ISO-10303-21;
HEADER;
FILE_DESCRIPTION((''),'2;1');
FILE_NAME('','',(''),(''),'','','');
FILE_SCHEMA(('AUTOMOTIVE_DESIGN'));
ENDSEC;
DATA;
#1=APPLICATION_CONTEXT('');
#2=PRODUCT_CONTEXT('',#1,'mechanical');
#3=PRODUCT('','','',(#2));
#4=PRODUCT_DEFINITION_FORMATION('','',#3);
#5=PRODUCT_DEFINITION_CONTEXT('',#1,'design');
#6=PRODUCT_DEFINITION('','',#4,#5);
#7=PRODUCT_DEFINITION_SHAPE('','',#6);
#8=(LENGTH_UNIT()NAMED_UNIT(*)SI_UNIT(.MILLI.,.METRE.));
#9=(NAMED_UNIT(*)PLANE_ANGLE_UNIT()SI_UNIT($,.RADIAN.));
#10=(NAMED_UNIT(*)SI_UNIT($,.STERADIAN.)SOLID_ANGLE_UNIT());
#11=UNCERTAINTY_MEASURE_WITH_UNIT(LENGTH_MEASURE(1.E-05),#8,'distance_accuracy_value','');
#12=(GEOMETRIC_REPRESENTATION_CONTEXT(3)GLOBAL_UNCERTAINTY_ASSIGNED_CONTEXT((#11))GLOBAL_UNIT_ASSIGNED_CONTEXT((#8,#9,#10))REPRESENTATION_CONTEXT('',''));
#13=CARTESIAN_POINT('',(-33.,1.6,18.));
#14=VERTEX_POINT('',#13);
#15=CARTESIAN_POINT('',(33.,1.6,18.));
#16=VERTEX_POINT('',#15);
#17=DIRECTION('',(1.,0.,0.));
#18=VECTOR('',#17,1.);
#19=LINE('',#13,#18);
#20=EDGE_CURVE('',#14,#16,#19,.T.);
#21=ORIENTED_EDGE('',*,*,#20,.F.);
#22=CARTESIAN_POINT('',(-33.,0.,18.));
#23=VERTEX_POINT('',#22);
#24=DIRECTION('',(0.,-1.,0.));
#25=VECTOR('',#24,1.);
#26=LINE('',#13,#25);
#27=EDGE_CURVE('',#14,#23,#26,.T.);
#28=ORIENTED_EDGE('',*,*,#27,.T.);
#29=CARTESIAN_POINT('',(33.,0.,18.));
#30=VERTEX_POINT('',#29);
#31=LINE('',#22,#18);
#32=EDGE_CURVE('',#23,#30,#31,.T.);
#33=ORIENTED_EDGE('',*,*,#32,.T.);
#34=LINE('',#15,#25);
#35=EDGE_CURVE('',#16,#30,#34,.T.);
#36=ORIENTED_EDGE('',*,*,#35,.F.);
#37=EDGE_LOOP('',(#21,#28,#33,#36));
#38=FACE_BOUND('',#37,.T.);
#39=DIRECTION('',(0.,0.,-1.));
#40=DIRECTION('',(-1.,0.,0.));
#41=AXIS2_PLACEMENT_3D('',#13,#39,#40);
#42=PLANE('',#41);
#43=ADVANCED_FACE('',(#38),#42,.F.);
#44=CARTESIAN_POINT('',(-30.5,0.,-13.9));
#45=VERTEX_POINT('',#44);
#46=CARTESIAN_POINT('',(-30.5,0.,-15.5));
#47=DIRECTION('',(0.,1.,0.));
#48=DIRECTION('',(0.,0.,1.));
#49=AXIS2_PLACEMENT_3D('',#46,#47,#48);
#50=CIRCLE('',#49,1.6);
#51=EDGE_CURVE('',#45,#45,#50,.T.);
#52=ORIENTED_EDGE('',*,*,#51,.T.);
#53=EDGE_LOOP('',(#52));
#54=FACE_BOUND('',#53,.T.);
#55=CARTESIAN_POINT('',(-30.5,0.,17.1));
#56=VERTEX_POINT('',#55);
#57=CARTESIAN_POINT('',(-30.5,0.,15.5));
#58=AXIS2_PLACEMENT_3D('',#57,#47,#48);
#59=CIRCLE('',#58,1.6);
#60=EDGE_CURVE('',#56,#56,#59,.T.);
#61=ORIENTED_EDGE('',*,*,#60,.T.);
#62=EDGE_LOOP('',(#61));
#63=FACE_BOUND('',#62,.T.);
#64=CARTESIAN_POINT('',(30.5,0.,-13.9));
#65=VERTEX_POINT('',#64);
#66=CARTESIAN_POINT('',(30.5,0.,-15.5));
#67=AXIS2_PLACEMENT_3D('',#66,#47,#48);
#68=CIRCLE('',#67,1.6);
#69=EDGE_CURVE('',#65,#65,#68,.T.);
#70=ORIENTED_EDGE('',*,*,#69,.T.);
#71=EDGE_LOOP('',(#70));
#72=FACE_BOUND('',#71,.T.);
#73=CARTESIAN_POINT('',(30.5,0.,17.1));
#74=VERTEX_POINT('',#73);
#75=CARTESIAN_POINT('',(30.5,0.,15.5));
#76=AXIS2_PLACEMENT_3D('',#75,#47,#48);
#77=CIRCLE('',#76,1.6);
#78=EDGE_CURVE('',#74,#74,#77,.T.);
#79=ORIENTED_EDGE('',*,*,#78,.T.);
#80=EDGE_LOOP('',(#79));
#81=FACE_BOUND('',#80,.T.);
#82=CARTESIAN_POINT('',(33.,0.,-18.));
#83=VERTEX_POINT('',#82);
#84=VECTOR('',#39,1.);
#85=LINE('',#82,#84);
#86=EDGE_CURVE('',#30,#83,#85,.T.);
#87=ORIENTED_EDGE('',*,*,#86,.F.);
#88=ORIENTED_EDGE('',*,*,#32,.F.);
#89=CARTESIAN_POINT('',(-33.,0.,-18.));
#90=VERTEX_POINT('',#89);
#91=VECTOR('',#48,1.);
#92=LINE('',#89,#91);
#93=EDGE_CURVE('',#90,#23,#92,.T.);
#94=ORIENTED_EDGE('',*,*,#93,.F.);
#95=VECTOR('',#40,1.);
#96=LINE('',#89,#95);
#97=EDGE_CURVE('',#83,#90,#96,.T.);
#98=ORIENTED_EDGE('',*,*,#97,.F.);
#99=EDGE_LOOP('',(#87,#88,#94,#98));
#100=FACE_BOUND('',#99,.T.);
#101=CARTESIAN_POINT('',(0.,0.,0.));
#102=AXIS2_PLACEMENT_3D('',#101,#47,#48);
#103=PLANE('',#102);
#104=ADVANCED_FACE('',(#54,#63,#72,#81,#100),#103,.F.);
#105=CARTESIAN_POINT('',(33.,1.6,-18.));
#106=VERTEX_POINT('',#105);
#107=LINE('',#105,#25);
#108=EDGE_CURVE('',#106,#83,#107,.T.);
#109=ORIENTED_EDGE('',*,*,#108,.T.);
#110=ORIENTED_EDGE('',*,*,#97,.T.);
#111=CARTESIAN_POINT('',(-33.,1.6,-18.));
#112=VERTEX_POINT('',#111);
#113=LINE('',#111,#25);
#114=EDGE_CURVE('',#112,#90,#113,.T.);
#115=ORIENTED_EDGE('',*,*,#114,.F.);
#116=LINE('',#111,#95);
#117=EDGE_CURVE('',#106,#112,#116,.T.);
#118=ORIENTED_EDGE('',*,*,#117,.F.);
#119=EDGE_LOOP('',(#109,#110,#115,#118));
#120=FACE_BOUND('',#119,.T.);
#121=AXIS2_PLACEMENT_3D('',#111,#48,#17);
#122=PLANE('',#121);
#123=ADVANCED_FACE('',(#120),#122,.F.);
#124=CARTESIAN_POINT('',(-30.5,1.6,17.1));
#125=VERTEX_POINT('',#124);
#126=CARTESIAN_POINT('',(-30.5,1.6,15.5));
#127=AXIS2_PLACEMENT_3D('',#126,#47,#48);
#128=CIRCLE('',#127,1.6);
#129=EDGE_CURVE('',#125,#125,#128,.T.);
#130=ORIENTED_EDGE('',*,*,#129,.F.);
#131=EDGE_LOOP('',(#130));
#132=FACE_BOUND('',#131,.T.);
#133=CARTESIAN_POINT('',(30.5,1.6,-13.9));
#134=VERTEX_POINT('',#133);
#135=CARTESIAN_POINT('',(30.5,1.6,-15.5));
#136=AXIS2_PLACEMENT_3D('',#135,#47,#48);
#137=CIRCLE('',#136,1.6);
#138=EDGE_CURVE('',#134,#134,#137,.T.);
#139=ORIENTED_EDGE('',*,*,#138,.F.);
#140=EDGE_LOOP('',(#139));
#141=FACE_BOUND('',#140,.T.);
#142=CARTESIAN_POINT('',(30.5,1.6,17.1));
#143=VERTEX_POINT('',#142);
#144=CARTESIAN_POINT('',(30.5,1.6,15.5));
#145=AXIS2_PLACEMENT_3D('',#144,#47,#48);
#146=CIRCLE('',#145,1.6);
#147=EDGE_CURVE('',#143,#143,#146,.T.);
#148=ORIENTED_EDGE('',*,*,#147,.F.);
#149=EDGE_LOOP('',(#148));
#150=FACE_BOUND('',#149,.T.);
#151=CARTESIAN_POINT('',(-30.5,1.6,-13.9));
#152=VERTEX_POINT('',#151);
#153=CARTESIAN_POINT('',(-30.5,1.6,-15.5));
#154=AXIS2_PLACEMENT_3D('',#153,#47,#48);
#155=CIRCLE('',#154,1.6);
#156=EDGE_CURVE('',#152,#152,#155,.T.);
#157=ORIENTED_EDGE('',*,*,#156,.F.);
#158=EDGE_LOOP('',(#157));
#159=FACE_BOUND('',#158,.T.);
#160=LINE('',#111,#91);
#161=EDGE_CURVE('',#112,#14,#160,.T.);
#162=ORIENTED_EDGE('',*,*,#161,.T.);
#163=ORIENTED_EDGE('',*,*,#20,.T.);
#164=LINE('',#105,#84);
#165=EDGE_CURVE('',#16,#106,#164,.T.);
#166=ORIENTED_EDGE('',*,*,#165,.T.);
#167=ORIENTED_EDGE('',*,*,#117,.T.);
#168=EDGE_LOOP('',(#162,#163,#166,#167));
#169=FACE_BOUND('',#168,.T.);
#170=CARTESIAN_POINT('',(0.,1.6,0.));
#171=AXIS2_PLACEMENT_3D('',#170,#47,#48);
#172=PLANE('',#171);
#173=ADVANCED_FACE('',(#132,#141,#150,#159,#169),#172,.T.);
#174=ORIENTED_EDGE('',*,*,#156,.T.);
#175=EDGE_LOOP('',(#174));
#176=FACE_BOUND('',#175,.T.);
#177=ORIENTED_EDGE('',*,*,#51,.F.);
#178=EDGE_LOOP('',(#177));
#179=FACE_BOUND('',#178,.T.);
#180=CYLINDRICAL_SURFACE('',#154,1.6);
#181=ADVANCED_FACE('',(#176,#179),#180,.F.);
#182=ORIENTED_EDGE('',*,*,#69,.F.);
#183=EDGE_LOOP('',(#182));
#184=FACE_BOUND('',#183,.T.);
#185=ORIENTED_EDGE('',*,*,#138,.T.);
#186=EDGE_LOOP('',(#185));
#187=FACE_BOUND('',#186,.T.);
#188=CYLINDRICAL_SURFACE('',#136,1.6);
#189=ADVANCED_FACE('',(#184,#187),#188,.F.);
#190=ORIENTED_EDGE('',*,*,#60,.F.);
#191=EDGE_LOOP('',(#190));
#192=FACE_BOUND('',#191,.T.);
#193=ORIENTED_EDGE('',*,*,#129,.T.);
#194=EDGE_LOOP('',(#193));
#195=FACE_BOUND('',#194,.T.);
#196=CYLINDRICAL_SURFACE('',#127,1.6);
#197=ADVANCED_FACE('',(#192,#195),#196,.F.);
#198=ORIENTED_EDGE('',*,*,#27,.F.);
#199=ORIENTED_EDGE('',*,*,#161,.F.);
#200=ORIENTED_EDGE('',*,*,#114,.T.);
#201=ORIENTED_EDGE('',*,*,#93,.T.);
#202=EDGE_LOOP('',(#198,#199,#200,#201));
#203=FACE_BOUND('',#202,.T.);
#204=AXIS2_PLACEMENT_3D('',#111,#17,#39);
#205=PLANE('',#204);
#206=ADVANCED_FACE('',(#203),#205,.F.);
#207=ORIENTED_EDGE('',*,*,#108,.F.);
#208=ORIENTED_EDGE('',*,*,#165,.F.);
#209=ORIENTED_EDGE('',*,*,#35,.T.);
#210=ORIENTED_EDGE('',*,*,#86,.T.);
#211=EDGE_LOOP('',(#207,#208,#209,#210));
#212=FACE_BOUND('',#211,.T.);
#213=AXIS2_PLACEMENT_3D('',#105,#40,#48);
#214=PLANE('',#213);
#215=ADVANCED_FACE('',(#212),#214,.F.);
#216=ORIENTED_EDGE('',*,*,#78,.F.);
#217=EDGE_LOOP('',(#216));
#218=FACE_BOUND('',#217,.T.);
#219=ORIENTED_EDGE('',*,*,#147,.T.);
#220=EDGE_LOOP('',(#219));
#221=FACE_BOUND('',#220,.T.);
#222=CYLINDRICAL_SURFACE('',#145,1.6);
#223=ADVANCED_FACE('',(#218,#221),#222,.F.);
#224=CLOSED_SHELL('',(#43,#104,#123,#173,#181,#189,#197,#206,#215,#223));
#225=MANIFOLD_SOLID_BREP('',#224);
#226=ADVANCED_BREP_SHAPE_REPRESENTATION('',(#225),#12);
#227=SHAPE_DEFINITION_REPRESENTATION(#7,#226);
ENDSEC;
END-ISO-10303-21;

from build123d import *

# Parameters (mm, degrees)
SKETCH1_W            = 66
SKETCH1_H            = 36
BOSS_EXTRUDE1_DEPTH  = 1.6
M3_CLEARANCE_HOLE1_D = 3.2
MIRROR2_COPY_1_D     = 3.2


with BuildPart() as part:
    # Sketch1 → Boss-Extrude1 (new body)
    with BuildSketch(Plane(origin=(0, 0, 0), x_dir=(1, 0, 0), z_dir=(0, 1, 0))):
        Rectangle(SKETCH1_W, SKETCH1_H)
    extrude(amount=BOSS_EXTRUDE1_DEPTH)

    # M3 Clearance Hole1 (through all)
    with Locations(Plane(origin=(0, 1.6, 0), x_dir=(1, 0, 0), z_dir=(0, 1, 0))):
        with Locations((-30.5, 15.5)):
            m3_clearance_hole1 = Hole(M3_CLEARANCE_HOLE1_D / 2)

    # Mirror1: M3 Clearance Hole1 across plane
    add(m3_clearance_hole1.mirror(Plane(origin=(0, 0, 0), x_dir=(0, 0, 1), z_dir=(1, 0, 0))), mode=Mode.SUBTRACT)

    # Mirror2: M3 Clearance Hole1 across plane
    add(m3_clearance_hole1.mirror(Plane.XY), mode=Mode.SUBTRACT)

    # Mirror2 copy 1 (through all)
    with Locations(Plane(origin=(0, 1.6, 0), x_dir=(-1, 0, 0), z_dir=(0, 1, 0))):
        with Locations((-30.5, 15.5)):
            Hole(MIRROR2_COPY_1_D / 2)


solid = part.part
